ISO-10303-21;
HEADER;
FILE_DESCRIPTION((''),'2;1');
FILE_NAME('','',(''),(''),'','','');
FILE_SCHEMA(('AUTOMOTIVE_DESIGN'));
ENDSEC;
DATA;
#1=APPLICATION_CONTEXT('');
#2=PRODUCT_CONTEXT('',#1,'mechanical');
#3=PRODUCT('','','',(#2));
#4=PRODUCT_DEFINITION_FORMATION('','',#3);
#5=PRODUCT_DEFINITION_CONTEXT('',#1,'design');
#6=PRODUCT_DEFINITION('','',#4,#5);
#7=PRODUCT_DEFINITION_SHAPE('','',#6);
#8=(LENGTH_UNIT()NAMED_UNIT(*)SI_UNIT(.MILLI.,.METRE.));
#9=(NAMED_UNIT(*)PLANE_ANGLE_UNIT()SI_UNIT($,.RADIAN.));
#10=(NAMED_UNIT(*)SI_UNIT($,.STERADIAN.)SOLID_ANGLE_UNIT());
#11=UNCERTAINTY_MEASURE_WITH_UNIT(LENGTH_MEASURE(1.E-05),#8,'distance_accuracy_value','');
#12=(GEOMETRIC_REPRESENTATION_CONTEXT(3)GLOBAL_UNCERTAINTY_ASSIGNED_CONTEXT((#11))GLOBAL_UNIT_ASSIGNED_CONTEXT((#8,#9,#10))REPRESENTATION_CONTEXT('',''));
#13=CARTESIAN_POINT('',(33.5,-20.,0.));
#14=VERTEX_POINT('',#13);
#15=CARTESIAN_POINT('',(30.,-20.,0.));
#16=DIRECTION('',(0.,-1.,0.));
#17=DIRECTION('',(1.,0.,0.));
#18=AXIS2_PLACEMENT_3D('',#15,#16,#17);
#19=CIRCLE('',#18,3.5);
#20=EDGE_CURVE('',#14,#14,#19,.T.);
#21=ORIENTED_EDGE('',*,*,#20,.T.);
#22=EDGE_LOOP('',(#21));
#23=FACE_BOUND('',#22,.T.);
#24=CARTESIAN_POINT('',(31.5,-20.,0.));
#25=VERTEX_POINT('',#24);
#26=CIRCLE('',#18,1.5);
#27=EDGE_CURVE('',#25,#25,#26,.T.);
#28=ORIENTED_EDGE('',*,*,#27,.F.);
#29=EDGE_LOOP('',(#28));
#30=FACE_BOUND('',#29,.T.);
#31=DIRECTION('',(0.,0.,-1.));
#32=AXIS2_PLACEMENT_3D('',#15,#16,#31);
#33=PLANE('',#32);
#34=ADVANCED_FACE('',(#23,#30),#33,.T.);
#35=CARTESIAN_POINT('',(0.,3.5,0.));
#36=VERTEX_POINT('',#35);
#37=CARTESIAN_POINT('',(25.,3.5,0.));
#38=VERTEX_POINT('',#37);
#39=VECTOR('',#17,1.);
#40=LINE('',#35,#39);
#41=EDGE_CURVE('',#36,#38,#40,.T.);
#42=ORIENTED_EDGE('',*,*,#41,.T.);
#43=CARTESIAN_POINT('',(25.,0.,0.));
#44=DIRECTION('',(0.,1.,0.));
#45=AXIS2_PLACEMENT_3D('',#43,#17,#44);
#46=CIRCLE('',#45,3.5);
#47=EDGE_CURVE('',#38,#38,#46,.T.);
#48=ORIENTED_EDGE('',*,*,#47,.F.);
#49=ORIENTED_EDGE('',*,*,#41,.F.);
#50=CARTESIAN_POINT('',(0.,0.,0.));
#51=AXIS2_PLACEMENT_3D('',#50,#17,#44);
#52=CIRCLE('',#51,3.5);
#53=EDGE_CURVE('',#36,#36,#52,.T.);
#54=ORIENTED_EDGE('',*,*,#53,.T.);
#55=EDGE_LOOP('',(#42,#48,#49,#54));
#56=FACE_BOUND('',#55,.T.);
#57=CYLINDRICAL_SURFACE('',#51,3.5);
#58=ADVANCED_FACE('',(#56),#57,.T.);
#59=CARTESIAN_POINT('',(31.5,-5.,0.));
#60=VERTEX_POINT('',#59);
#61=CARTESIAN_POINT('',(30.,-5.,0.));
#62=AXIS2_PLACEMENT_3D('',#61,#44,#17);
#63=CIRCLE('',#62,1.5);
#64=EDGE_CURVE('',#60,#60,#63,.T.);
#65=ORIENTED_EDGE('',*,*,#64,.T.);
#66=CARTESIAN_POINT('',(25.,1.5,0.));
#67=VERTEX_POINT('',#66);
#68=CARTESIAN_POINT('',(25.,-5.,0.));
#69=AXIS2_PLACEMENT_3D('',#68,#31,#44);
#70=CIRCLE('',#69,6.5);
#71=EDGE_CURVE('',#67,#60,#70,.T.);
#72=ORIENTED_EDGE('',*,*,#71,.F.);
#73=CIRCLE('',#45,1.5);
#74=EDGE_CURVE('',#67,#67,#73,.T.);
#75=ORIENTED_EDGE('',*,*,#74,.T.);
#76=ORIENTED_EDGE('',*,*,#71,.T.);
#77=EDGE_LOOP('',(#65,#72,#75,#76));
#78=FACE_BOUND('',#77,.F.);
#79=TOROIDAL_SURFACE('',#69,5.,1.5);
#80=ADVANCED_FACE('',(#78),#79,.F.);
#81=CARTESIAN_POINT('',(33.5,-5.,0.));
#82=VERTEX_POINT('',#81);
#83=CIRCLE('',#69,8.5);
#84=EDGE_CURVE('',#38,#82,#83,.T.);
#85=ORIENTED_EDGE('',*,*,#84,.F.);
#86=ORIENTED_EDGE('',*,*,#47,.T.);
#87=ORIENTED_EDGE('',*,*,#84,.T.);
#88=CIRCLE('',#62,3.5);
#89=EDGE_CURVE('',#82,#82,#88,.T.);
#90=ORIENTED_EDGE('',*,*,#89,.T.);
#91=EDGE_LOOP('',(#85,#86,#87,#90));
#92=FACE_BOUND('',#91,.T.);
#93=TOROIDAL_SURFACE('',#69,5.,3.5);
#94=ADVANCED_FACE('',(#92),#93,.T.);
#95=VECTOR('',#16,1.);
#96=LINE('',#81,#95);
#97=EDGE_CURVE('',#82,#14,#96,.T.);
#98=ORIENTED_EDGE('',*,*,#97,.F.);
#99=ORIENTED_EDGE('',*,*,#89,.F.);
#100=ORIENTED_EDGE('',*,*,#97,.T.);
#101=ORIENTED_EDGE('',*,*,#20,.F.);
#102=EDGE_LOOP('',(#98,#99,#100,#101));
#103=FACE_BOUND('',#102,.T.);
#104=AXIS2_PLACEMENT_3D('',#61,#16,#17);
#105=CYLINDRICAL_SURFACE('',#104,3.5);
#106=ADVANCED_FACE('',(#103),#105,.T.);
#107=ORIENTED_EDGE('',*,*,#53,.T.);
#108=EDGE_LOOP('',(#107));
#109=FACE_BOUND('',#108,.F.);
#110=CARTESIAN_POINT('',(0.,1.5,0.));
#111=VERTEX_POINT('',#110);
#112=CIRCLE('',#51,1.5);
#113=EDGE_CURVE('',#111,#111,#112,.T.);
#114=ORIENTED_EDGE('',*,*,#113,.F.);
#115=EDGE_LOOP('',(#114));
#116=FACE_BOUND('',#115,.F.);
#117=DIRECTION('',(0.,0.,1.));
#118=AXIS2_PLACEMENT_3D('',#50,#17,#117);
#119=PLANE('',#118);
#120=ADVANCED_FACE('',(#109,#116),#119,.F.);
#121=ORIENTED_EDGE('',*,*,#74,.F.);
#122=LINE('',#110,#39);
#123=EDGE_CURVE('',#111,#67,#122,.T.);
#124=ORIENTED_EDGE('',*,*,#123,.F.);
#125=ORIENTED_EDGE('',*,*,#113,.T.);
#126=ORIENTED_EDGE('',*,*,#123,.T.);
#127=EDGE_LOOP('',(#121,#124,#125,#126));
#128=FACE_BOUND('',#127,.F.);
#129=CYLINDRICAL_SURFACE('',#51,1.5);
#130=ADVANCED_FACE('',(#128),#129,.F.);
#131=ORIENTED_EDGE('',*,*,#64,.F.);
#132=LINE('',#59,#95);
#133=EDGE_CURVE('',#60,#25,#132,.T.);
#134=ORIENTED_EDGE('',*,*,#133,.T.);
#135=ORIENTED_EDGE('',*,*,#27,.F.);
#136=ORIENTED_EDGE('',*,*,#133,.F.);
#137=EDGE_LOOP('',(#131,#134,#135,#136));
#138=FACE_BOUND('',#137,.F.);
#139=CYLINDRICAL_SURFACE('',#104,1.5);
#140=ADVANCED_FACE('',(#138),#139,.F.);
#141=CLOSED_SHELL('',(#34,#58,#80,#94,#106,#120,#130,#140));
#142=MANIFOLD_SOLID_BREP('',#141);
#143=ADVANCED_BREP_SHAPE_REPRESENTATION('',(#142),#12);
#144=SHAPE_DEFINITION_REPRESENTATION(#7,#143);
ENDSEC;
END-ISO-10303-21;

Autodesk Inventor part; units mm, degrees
ref_plane "YZ Plane" through (0, 0, 0) normal (1, 0, 0) x (0, 1, 0)
ref_plane "XZ Plane" through (0, 0, 0) normal (0, 1, 0) x (-1, 0, 0)
ref_plane "XY Plane" through (0, 0, 0) normal (0, 0, 1) x (1, 0, 0)
sketch "Sketch2" plane through (0, 0, 0) normal (1, 0, 0) x (0, 1, 0)
  circle A0 centre (0, 0) radius 1.5
  circle A1 centre (0, 0) radius 3.5
  dimension "d8" = 3
  dimension "d9" = 2
sketch3d "3D Sketch1"
  line L0 (0, 0, 0) -> (25, 0, 0)
  arc A0 (25, 0, 0) -> (30, -5, 0) centre (25, -5, 0) ccw
  line L1 (30, -5, 0) -> (30, -20, 0)
  dimension "d3" = 30
  dimension "d4" = 20
  dimension "d6" = 5
sweep "Sweep1" add profiles "Sketch2" path "3D Sketch1"
properties part number "Pipe3"
